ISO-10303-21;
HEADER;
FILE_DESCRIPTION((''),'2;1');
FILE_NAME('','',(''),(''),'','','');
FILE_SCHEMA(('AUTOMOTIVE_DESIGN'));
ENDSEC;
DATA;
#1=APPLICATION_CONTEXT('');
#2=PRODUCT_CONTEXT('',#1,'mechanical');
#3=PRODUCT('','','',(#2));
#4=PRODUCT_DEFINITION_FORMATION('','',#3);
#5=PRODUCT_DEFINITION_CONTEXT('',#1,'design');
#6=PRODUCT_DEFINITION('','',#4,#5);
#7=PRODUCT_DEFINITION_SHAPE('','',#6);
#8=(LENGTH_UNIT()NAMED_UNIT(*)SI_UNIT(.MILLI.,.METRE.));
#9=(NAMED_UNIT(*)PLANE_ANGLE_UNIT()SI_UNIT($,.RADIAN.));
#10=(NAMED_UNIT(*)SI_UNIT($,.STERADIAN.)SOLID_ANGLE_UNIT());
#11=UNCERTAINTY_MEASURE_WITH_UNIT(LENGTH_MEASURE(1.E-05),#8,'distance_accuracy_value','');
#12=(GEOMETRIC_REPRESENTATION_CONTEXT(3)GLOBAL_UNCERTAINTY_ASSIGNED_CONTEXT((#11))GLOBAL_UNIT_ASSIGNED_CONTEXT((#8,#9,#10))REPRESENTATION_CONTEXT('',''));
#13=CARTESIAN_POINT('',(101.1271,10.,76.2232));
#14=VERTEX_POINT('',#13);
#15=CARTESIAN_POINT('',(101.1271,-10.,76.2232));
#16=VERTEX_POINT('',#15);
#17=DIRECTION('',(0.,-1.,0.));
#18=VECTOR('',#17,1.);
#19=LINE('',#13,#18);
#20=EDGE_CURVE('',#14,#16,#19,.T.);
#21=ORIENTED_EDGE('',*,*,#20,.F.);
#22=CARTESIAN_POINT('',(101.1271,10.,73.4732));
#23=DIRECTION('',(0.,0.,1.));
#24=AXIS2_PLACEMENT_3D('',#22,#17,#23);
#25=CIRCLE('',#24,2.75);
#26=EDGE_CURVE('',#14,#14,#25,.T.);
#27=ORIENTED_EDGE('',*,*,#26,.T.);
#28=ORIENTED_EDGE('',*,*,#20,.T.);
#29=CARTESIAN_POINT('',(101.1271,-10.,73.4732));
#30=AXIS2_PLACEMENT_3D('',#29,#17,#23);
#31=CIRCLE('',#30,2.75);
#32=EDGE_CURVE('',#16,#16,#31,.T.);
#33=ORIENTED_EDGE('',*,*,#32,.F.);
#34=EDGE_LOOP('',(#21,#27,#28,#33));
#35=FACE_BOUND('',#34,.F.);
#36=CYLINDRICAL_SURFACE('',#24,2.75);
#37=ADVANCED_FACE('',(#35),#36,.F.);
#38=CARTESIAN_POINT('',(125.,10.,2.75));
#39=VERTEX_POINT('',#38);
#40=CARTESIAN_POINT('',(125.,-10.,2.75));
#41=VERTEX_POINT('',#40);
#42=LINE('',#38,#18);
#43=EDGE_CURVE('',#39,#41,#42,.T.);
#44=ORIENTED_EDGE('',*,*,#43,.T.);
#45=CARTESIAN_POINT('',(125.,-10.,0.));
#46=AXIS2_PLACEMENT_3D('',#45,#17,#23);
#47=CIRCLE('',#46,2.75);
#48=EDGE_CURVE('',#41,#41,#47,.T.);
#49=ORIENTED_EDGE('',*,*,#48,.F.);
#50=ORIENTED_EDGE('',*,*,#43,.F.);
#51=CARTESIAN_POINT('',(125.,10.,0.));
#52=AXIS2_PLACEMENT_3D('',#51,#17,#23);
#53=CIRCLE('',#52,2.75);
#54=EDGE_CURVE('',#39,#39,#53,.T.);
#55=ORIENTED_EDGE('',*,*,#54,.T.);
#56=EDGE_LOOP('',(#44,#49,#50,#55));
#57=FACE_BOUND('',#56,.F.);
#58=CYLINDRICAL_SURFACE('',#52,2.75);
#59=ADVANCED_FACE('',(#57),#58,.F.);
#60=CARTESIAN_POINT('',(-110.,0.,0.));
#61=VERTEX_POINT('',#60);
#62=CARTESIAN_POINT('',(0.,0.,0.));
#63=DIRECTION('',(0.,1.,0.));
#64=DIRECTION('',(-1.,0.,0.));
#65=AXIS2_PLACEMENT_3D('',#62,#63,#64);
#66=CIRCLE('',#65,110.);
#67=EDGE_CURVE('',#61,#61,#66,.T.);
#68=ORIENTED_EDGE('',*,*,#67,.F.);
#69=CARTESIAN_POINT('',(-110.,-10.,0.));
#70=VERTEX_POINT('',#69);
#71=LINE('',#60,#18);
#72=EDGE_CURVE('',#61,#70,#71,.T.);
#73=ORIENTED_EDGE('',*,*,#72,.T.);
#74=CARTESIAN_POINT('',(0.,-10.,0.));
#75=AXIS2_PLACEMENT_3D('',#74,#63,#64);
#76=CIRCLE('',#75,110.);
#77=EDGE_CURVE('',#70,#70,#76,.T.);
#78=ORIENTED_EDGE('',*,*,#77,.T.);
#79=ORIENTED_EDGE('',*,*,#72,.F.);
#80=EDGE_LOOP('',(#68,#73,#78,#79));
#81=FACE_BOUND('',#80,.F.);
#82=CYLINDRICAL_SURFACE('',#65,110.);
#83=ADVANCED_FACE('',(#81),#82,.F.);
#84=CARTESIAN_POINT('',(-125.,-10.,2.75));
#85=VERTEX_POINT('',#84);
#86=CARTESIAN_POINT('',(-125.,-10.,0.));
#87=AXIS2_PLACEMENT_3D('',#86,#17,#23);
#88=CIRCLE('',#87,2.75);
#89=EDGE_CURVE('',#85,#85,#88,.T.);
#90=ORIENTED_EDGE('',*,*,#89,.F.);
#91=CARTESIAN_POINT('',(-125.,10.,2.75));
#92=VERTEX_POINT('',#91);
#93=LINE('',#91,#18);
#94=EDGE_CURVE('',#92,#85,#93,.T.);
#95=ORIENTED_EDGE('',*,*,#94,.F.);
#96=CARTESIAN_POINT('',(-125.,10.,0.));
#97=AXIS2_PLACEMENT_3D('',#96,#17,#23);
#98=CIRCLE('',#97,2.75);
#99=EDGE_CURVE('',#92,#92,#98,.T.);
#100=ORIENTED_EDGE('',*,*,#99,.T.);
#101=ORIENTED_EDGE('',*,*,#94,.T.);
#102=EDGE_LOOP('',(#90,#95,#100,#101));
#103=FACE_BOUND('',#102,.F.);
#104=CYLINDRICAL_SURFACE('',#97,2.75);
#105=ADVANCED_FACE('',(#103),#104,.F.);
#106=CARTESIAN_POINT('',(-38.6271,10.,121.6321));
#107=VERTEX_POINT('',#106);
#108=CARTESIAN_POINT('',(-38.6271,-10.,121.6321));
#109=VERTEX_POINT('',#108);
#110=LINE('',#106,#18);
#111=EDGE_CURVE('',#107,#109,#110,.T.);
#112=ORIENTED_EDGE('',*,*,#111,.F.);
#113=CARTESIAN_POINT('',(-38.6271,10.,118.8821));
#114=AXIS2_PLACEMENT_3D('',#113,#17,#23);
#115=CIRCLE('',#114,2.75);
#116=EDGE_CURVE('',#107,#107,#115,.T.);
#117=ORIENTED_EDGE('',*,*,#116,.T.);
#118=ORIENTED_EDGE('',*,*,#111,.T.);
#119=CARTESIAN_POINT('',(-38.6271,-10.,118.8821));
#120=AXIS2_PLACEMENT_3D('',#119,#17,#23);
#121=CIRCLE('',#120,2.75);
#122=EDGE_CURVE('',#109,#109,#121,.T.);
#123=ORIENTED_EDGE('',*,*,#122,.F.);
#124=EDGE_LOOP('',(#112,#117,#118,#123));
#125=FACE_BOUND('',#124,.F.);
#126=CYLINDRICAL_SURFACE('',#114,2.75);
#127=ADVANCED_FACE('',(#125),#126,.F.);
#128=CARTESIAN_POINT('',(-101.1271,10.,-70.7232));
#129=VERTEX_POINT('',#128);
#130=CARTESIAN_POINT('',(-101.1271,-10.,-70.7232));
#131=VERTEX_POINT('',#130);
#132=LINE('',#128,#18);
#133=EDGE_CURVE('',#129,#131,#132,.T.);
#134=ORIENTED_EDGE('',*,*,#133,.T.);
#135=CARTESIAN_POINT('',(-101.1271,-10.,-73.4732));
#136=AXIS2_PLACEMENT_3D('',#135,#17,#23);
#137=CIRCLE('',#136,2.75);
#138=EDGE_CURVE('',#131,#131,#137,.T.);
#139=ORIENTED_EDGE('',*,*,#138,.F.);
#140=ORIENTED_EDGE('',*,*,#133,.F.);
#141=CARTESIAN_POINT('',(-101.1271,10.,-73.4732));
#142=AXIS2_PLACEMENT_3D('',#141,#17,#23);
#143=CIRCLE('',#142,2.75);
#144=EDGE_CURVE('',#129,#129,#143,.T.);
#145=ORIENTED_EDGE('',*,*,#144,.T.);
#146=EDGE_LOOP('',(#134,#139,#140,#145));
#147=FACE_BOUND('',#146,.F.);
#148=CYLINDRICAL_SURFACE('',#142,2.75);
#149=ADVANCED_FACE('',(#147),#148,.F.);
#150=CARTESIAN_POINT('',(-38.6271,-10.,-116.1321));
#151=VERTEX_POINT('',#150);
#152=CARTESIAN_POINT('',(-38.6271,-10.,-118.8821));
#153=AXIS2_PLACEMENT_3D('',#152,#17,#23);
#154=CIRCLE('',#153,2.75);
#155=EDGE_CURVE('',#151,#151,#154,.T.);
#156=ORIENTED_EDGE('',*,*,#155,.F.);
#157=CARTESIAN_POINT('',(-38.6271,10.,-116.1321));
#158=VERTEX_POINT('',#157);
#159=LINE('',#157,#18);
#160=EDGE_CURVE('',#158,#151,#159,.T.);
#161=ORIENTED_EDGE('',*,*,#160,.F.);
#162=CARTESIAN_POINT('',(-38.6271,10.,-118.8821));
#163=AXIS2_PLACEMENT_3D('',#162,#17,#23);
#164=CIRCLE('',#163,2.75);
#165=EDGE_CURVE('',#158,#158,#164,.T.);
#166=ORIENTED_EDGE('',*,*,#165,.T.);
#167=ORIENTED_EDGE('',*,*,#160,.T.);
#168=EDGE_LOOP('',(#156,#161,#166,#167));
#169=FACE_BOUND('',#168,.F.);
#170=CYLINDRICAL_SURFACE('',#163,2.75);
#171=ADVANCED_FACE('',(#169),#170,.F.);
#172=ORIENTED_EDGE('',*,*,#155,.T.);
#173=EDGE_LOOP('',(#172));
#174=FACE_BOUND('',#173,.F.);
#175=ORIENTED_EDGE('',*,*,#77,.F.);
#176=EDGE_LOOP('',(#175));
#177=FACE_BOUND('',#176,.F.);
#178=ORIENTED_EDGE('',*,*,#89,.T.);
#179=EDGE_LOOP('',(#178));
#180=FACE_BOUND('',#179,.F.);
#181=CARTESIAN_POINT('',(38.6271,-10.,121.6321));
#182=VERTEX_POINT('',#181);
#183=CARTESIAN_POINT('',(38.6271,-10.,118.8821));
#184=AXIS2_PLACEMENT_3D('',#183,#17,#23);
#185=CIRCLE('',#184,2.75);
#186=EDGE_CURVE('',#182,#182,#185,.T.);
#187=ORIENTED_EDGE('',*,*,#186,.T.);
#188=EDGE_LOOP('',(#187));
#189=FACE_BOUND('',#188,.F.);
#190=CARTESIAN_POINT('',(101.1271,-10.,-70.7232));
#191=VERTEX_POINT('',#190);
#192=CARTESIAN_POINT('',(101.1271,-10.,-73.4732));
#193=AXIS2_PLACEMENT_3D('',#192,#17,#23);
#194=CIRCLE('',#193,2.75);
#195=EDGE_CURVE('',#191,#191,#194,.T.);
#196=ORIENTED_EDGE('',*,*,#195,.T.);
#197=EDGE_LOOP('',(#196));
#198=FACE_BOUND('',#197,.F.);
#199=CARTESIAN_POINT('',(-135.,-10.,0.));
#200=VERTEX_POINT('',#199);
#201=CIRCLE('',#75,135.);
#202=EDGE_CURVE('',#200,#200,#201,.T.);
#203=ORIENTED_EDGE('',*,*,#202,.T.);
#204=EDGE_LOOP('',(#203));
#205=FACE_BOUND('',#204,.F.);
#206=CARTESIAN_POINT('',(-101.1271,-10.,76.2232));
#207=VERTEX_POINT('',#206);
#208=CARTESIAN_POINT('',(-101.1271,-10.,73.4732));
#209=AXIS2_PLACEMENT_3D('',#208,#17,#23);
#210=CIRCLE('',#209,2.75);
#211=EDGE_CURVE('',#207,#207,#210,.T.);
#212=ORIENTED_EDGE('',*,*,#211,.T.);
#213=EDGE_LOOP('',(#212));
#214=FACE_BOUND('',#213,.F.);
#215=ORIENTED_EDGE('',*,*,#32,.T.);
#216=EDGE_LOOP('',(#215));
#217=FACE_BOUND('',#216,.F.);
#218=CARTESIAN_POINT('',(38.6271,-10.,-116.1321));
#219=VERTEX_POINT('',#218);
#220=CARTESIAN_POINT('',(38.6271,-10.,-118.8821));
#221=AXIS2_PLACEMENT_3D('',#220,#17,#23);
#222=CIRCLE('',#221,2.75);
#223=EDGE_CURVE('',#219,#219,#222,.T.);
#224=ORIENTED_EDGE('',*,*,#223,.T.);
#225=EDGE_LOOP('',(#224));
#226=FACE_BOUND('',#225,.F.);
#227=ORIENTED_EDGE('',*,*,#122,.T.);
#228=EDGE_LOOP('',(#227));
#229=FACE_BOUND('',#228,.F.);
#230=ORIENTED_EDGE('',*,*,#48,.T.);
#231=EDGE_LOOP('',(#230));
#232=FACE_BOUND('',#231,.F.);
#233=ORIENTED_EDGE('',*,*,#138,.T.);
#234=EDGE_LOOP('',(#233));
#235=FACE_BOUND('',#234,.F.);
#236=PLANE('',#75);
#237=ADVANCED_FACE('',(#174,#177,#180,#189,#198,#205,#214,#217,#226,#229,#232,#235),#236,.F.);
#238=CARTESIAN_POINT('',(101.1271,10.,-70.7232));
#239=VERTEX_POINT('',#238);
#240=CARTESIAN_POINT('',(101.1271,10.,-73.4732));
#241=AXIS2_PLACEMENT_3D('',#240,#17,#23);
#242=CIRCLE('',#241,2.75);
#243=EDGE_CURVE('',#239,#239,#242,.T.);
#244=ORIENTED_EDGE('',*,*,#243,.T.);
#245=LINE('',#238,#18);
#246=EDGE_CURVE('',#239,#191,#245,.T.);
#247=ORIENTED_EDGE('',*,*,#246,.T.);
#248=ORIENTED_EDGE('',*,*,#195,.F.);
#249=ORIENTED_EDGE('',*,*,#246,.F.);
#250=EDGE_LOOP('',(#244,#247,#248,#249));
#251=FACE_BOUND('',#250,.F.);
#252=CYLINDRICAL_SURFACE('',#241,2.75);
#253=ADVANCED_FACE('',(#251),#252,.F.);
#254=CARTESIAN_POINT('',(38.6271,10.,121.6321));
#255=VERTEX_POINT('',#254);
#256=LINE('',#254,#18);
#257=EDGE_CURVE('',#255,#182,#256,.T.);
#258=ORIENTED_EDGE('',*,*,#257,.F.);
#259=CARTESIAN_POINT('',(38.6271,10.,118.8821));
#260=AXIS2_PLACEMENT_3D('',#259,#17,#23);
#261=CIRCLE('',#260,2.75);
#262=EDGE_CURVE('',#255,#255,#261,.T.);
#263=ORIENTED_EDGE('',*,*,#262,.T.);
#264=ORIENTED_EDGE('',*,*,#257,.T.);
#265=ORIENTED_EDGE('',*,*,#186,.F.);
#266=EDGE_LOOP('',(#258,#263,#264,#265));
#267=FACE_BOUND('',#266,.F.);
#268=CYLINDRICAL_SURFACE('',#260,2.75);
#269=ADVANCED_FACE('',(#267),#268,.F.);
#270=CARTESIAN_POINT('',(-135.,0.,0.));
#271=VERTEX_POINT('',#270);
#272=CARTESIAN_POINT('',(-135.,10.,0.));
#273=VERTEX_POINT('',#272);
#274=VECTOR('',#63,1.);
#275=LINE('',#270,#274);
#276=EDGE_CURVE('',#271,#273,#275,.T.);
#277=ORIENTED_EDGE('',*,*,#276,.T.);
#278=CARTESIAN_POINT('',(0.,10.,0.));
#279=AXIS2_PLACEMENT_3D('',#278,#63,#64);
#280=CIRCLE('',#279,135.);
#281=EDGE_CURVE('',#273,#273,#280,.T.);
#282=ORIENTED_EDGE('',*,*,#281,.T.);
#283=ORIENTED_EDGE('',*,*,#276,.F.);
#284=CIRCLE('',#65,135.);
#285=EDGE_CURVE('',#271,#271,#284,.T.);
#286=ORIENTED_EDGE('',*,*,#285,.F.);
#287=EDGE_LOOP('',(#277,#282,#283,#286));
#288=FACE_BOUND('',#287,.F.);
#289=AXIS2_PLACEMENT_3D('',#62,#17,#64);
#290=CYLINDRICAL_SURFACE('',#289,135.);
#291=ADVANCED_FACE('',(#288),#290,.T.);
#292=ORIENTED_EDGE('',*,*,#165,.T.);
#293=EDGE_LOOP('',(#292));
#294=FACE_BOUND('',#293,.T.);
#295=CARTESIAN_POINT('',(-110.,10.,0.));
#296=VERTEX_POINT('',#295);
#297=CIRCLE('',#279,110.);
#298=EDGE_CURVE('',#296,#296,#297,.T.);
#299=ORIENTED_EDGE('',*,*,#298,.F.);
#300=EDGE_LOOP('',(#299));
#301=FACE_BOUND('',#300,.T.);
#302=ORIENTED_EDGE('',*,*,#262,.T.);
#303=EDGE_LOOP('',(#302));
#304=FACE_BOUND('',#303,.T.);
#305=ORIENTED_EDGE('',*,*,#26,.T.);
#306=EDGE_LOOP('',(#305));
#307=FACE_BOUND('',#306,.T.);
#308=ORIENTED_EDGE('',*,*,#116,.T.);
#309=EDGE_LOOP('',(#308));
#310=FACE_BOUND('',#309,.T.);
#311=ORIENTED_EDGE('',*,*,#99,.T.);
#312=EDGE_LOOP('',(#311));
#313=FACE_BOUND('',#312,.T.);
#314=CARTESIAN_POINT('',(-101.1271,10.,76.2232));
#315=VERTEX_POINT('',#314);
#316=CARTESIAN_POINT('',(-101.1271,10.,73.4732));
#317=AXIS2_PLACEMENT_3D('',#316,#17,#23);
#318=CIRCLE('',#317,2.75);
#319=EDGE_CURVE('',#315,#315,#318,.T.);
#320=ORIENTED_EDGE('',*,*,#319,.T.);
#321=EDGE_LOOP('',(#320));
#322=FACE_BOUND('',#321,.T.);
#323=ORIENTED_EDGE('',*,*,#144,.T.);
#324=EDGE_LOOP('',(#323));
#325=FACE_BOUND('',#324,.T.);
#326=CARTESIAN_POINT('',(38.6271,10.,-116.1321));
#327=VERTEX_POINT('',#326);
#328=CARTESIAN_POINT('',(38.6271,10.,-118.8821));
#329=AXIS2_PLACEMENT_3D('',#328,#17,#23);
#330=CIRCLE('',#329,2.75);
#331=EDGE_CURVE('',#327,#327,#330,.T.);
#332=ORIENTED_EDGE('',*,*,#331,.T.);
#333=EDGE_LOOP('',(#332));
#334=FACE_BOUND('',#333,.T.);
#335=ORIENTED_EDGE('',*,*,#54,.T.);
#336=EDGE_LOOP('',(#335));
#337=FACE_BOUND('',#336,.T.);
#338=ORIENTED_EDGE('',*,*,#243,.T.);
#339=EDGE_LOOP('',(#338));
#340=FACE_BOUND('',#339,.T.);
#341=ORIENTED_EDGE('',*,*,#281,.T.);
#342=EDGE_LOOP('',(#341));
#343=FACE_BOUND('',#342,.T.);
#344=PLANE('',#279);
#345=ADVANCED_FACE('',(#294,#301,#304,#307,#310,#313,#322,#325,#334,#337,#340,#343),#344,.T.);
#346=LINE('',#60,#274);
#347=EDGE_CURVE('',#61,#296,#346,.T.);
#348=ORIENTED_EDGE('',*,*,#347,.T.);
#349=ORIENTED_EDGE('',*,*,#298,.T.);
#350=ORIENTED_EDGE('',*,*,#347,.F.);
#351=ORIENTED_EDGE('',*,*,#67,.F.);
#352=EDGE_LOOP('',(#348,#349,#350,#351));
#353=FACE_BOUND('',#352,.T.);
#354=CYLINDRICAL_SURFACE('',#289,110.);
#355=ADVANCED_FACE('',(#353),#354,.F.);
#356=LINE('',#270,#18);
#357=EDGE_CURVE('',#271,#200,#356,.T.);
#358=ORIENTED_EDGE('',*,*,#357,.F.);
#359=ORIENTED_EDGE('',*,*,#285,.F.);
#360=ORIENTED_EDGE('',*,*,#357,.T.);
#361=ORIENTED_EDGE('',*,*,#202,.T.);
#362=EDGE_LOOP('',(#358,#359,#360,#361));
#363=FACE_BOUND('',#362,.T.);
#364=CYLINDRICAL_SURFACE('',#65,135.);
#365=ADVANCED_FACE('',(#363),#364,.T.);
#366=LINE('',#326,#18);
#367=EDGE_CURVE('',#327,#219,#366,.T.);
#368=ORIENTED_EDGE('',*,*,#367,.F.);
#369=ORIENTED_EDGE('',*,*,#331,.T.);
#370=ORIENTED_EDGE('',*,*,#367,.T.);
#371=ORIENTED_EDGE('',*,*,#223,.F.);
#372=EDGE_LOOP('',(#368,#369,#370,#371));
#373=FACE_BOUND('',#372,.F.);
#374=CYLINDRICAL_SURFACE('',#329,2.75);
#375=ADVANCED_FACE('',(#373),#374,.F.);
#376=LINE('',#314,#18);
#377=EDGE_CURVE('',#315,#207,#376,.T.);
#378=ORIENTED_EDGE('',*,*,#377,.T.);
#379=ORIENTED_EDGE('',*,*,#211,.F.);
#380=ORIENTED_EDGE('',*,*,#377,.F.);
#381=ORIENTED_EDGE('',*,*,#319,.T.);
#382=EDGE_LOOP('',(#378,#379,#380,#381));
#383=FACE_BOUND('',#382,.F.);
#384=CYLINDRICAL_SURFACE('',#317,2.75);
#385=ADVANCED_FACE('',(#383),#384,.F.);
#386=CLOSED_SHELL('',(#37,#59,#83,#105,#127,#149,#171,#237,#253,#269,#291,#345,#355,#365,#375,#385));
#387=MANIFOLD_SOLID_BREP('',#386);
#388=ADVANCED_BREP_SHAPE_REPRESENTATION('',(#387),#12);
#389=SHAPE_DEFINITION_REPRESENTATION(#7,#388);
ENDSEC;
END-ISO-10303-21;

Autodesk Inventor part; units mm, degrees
ref_plane "YZ Plane" through (0, 0, 0) normal (1, 0, 0) x (0, 1, 0)
ref_plane "XZ Plane" through (0, 0, 0) normal (0, 1, 0) x (-1, 0, 0)
ref_plane "XY Plane" through (0, 0, 0) normal (0, 0, 1) x (1, 0, 0)
sketch "Sketch1" plane through (0, 0, 0) normal (0, 1, 0) x (-1, 0, 0)
  circle A0 centre (0, 0) radius 135
  circle A1 centre (0, 0) radius 110
  dimension "d0" = 270
  dimension "d1" = 220
extrude "Extrusion1" add sketch "Sketch1" along normal mid plane 20
sketch "Sketch3" plane through (0, 10, 0) normal (0, 1, 0) x (1, 0, 0)
  circle A0 centre (0, 0) radius 125
  circle A1 centre (125, 0) radius 2.5
  circle A2 centre (101.1271, 73.4732) radius 2.5
  circle A3 centre (38.6271, 118.8821) radius 2.5
  circle A4 centre (-38.6271, 118.8821) radius 2.5
  circle A5 centre (-101.1271, 73.4732) radius 2.5
  circle A6 centre (-125, 0) radius 2.5
  circle A7 centre (-101.1271, -73.4732) radius 2.5
  circle A8 centre (-38.6271, -118.8821) radius 2.5
  circle A9 centre (38.6271, -118.8821) radius 2.5
  circle A10 centre (101.1271, -73.4732) radius 2.5
  dimension "d7" = 250
  dimension "d8" = 5
  dimension "d11" = 360
hole "Hole1" at (125, 10, 0) at (101.1271, 10, 73.4732) at (38.6271, 10, 118.8821) at (-38.6271, 10, 118.8821) at (-101.1271, 10, 73.4732) at (-125, 10, 0) at (-101.1271, 10, -73.4732) at (-38.6271, 10, -118.8821) at (38.6271, 10, -118.8821) at (101.1271, 10, -73.4732) direction (0, -1, 0) diameter 5.5 end through all
properties part number "Cylinder Spacer (x3)"
